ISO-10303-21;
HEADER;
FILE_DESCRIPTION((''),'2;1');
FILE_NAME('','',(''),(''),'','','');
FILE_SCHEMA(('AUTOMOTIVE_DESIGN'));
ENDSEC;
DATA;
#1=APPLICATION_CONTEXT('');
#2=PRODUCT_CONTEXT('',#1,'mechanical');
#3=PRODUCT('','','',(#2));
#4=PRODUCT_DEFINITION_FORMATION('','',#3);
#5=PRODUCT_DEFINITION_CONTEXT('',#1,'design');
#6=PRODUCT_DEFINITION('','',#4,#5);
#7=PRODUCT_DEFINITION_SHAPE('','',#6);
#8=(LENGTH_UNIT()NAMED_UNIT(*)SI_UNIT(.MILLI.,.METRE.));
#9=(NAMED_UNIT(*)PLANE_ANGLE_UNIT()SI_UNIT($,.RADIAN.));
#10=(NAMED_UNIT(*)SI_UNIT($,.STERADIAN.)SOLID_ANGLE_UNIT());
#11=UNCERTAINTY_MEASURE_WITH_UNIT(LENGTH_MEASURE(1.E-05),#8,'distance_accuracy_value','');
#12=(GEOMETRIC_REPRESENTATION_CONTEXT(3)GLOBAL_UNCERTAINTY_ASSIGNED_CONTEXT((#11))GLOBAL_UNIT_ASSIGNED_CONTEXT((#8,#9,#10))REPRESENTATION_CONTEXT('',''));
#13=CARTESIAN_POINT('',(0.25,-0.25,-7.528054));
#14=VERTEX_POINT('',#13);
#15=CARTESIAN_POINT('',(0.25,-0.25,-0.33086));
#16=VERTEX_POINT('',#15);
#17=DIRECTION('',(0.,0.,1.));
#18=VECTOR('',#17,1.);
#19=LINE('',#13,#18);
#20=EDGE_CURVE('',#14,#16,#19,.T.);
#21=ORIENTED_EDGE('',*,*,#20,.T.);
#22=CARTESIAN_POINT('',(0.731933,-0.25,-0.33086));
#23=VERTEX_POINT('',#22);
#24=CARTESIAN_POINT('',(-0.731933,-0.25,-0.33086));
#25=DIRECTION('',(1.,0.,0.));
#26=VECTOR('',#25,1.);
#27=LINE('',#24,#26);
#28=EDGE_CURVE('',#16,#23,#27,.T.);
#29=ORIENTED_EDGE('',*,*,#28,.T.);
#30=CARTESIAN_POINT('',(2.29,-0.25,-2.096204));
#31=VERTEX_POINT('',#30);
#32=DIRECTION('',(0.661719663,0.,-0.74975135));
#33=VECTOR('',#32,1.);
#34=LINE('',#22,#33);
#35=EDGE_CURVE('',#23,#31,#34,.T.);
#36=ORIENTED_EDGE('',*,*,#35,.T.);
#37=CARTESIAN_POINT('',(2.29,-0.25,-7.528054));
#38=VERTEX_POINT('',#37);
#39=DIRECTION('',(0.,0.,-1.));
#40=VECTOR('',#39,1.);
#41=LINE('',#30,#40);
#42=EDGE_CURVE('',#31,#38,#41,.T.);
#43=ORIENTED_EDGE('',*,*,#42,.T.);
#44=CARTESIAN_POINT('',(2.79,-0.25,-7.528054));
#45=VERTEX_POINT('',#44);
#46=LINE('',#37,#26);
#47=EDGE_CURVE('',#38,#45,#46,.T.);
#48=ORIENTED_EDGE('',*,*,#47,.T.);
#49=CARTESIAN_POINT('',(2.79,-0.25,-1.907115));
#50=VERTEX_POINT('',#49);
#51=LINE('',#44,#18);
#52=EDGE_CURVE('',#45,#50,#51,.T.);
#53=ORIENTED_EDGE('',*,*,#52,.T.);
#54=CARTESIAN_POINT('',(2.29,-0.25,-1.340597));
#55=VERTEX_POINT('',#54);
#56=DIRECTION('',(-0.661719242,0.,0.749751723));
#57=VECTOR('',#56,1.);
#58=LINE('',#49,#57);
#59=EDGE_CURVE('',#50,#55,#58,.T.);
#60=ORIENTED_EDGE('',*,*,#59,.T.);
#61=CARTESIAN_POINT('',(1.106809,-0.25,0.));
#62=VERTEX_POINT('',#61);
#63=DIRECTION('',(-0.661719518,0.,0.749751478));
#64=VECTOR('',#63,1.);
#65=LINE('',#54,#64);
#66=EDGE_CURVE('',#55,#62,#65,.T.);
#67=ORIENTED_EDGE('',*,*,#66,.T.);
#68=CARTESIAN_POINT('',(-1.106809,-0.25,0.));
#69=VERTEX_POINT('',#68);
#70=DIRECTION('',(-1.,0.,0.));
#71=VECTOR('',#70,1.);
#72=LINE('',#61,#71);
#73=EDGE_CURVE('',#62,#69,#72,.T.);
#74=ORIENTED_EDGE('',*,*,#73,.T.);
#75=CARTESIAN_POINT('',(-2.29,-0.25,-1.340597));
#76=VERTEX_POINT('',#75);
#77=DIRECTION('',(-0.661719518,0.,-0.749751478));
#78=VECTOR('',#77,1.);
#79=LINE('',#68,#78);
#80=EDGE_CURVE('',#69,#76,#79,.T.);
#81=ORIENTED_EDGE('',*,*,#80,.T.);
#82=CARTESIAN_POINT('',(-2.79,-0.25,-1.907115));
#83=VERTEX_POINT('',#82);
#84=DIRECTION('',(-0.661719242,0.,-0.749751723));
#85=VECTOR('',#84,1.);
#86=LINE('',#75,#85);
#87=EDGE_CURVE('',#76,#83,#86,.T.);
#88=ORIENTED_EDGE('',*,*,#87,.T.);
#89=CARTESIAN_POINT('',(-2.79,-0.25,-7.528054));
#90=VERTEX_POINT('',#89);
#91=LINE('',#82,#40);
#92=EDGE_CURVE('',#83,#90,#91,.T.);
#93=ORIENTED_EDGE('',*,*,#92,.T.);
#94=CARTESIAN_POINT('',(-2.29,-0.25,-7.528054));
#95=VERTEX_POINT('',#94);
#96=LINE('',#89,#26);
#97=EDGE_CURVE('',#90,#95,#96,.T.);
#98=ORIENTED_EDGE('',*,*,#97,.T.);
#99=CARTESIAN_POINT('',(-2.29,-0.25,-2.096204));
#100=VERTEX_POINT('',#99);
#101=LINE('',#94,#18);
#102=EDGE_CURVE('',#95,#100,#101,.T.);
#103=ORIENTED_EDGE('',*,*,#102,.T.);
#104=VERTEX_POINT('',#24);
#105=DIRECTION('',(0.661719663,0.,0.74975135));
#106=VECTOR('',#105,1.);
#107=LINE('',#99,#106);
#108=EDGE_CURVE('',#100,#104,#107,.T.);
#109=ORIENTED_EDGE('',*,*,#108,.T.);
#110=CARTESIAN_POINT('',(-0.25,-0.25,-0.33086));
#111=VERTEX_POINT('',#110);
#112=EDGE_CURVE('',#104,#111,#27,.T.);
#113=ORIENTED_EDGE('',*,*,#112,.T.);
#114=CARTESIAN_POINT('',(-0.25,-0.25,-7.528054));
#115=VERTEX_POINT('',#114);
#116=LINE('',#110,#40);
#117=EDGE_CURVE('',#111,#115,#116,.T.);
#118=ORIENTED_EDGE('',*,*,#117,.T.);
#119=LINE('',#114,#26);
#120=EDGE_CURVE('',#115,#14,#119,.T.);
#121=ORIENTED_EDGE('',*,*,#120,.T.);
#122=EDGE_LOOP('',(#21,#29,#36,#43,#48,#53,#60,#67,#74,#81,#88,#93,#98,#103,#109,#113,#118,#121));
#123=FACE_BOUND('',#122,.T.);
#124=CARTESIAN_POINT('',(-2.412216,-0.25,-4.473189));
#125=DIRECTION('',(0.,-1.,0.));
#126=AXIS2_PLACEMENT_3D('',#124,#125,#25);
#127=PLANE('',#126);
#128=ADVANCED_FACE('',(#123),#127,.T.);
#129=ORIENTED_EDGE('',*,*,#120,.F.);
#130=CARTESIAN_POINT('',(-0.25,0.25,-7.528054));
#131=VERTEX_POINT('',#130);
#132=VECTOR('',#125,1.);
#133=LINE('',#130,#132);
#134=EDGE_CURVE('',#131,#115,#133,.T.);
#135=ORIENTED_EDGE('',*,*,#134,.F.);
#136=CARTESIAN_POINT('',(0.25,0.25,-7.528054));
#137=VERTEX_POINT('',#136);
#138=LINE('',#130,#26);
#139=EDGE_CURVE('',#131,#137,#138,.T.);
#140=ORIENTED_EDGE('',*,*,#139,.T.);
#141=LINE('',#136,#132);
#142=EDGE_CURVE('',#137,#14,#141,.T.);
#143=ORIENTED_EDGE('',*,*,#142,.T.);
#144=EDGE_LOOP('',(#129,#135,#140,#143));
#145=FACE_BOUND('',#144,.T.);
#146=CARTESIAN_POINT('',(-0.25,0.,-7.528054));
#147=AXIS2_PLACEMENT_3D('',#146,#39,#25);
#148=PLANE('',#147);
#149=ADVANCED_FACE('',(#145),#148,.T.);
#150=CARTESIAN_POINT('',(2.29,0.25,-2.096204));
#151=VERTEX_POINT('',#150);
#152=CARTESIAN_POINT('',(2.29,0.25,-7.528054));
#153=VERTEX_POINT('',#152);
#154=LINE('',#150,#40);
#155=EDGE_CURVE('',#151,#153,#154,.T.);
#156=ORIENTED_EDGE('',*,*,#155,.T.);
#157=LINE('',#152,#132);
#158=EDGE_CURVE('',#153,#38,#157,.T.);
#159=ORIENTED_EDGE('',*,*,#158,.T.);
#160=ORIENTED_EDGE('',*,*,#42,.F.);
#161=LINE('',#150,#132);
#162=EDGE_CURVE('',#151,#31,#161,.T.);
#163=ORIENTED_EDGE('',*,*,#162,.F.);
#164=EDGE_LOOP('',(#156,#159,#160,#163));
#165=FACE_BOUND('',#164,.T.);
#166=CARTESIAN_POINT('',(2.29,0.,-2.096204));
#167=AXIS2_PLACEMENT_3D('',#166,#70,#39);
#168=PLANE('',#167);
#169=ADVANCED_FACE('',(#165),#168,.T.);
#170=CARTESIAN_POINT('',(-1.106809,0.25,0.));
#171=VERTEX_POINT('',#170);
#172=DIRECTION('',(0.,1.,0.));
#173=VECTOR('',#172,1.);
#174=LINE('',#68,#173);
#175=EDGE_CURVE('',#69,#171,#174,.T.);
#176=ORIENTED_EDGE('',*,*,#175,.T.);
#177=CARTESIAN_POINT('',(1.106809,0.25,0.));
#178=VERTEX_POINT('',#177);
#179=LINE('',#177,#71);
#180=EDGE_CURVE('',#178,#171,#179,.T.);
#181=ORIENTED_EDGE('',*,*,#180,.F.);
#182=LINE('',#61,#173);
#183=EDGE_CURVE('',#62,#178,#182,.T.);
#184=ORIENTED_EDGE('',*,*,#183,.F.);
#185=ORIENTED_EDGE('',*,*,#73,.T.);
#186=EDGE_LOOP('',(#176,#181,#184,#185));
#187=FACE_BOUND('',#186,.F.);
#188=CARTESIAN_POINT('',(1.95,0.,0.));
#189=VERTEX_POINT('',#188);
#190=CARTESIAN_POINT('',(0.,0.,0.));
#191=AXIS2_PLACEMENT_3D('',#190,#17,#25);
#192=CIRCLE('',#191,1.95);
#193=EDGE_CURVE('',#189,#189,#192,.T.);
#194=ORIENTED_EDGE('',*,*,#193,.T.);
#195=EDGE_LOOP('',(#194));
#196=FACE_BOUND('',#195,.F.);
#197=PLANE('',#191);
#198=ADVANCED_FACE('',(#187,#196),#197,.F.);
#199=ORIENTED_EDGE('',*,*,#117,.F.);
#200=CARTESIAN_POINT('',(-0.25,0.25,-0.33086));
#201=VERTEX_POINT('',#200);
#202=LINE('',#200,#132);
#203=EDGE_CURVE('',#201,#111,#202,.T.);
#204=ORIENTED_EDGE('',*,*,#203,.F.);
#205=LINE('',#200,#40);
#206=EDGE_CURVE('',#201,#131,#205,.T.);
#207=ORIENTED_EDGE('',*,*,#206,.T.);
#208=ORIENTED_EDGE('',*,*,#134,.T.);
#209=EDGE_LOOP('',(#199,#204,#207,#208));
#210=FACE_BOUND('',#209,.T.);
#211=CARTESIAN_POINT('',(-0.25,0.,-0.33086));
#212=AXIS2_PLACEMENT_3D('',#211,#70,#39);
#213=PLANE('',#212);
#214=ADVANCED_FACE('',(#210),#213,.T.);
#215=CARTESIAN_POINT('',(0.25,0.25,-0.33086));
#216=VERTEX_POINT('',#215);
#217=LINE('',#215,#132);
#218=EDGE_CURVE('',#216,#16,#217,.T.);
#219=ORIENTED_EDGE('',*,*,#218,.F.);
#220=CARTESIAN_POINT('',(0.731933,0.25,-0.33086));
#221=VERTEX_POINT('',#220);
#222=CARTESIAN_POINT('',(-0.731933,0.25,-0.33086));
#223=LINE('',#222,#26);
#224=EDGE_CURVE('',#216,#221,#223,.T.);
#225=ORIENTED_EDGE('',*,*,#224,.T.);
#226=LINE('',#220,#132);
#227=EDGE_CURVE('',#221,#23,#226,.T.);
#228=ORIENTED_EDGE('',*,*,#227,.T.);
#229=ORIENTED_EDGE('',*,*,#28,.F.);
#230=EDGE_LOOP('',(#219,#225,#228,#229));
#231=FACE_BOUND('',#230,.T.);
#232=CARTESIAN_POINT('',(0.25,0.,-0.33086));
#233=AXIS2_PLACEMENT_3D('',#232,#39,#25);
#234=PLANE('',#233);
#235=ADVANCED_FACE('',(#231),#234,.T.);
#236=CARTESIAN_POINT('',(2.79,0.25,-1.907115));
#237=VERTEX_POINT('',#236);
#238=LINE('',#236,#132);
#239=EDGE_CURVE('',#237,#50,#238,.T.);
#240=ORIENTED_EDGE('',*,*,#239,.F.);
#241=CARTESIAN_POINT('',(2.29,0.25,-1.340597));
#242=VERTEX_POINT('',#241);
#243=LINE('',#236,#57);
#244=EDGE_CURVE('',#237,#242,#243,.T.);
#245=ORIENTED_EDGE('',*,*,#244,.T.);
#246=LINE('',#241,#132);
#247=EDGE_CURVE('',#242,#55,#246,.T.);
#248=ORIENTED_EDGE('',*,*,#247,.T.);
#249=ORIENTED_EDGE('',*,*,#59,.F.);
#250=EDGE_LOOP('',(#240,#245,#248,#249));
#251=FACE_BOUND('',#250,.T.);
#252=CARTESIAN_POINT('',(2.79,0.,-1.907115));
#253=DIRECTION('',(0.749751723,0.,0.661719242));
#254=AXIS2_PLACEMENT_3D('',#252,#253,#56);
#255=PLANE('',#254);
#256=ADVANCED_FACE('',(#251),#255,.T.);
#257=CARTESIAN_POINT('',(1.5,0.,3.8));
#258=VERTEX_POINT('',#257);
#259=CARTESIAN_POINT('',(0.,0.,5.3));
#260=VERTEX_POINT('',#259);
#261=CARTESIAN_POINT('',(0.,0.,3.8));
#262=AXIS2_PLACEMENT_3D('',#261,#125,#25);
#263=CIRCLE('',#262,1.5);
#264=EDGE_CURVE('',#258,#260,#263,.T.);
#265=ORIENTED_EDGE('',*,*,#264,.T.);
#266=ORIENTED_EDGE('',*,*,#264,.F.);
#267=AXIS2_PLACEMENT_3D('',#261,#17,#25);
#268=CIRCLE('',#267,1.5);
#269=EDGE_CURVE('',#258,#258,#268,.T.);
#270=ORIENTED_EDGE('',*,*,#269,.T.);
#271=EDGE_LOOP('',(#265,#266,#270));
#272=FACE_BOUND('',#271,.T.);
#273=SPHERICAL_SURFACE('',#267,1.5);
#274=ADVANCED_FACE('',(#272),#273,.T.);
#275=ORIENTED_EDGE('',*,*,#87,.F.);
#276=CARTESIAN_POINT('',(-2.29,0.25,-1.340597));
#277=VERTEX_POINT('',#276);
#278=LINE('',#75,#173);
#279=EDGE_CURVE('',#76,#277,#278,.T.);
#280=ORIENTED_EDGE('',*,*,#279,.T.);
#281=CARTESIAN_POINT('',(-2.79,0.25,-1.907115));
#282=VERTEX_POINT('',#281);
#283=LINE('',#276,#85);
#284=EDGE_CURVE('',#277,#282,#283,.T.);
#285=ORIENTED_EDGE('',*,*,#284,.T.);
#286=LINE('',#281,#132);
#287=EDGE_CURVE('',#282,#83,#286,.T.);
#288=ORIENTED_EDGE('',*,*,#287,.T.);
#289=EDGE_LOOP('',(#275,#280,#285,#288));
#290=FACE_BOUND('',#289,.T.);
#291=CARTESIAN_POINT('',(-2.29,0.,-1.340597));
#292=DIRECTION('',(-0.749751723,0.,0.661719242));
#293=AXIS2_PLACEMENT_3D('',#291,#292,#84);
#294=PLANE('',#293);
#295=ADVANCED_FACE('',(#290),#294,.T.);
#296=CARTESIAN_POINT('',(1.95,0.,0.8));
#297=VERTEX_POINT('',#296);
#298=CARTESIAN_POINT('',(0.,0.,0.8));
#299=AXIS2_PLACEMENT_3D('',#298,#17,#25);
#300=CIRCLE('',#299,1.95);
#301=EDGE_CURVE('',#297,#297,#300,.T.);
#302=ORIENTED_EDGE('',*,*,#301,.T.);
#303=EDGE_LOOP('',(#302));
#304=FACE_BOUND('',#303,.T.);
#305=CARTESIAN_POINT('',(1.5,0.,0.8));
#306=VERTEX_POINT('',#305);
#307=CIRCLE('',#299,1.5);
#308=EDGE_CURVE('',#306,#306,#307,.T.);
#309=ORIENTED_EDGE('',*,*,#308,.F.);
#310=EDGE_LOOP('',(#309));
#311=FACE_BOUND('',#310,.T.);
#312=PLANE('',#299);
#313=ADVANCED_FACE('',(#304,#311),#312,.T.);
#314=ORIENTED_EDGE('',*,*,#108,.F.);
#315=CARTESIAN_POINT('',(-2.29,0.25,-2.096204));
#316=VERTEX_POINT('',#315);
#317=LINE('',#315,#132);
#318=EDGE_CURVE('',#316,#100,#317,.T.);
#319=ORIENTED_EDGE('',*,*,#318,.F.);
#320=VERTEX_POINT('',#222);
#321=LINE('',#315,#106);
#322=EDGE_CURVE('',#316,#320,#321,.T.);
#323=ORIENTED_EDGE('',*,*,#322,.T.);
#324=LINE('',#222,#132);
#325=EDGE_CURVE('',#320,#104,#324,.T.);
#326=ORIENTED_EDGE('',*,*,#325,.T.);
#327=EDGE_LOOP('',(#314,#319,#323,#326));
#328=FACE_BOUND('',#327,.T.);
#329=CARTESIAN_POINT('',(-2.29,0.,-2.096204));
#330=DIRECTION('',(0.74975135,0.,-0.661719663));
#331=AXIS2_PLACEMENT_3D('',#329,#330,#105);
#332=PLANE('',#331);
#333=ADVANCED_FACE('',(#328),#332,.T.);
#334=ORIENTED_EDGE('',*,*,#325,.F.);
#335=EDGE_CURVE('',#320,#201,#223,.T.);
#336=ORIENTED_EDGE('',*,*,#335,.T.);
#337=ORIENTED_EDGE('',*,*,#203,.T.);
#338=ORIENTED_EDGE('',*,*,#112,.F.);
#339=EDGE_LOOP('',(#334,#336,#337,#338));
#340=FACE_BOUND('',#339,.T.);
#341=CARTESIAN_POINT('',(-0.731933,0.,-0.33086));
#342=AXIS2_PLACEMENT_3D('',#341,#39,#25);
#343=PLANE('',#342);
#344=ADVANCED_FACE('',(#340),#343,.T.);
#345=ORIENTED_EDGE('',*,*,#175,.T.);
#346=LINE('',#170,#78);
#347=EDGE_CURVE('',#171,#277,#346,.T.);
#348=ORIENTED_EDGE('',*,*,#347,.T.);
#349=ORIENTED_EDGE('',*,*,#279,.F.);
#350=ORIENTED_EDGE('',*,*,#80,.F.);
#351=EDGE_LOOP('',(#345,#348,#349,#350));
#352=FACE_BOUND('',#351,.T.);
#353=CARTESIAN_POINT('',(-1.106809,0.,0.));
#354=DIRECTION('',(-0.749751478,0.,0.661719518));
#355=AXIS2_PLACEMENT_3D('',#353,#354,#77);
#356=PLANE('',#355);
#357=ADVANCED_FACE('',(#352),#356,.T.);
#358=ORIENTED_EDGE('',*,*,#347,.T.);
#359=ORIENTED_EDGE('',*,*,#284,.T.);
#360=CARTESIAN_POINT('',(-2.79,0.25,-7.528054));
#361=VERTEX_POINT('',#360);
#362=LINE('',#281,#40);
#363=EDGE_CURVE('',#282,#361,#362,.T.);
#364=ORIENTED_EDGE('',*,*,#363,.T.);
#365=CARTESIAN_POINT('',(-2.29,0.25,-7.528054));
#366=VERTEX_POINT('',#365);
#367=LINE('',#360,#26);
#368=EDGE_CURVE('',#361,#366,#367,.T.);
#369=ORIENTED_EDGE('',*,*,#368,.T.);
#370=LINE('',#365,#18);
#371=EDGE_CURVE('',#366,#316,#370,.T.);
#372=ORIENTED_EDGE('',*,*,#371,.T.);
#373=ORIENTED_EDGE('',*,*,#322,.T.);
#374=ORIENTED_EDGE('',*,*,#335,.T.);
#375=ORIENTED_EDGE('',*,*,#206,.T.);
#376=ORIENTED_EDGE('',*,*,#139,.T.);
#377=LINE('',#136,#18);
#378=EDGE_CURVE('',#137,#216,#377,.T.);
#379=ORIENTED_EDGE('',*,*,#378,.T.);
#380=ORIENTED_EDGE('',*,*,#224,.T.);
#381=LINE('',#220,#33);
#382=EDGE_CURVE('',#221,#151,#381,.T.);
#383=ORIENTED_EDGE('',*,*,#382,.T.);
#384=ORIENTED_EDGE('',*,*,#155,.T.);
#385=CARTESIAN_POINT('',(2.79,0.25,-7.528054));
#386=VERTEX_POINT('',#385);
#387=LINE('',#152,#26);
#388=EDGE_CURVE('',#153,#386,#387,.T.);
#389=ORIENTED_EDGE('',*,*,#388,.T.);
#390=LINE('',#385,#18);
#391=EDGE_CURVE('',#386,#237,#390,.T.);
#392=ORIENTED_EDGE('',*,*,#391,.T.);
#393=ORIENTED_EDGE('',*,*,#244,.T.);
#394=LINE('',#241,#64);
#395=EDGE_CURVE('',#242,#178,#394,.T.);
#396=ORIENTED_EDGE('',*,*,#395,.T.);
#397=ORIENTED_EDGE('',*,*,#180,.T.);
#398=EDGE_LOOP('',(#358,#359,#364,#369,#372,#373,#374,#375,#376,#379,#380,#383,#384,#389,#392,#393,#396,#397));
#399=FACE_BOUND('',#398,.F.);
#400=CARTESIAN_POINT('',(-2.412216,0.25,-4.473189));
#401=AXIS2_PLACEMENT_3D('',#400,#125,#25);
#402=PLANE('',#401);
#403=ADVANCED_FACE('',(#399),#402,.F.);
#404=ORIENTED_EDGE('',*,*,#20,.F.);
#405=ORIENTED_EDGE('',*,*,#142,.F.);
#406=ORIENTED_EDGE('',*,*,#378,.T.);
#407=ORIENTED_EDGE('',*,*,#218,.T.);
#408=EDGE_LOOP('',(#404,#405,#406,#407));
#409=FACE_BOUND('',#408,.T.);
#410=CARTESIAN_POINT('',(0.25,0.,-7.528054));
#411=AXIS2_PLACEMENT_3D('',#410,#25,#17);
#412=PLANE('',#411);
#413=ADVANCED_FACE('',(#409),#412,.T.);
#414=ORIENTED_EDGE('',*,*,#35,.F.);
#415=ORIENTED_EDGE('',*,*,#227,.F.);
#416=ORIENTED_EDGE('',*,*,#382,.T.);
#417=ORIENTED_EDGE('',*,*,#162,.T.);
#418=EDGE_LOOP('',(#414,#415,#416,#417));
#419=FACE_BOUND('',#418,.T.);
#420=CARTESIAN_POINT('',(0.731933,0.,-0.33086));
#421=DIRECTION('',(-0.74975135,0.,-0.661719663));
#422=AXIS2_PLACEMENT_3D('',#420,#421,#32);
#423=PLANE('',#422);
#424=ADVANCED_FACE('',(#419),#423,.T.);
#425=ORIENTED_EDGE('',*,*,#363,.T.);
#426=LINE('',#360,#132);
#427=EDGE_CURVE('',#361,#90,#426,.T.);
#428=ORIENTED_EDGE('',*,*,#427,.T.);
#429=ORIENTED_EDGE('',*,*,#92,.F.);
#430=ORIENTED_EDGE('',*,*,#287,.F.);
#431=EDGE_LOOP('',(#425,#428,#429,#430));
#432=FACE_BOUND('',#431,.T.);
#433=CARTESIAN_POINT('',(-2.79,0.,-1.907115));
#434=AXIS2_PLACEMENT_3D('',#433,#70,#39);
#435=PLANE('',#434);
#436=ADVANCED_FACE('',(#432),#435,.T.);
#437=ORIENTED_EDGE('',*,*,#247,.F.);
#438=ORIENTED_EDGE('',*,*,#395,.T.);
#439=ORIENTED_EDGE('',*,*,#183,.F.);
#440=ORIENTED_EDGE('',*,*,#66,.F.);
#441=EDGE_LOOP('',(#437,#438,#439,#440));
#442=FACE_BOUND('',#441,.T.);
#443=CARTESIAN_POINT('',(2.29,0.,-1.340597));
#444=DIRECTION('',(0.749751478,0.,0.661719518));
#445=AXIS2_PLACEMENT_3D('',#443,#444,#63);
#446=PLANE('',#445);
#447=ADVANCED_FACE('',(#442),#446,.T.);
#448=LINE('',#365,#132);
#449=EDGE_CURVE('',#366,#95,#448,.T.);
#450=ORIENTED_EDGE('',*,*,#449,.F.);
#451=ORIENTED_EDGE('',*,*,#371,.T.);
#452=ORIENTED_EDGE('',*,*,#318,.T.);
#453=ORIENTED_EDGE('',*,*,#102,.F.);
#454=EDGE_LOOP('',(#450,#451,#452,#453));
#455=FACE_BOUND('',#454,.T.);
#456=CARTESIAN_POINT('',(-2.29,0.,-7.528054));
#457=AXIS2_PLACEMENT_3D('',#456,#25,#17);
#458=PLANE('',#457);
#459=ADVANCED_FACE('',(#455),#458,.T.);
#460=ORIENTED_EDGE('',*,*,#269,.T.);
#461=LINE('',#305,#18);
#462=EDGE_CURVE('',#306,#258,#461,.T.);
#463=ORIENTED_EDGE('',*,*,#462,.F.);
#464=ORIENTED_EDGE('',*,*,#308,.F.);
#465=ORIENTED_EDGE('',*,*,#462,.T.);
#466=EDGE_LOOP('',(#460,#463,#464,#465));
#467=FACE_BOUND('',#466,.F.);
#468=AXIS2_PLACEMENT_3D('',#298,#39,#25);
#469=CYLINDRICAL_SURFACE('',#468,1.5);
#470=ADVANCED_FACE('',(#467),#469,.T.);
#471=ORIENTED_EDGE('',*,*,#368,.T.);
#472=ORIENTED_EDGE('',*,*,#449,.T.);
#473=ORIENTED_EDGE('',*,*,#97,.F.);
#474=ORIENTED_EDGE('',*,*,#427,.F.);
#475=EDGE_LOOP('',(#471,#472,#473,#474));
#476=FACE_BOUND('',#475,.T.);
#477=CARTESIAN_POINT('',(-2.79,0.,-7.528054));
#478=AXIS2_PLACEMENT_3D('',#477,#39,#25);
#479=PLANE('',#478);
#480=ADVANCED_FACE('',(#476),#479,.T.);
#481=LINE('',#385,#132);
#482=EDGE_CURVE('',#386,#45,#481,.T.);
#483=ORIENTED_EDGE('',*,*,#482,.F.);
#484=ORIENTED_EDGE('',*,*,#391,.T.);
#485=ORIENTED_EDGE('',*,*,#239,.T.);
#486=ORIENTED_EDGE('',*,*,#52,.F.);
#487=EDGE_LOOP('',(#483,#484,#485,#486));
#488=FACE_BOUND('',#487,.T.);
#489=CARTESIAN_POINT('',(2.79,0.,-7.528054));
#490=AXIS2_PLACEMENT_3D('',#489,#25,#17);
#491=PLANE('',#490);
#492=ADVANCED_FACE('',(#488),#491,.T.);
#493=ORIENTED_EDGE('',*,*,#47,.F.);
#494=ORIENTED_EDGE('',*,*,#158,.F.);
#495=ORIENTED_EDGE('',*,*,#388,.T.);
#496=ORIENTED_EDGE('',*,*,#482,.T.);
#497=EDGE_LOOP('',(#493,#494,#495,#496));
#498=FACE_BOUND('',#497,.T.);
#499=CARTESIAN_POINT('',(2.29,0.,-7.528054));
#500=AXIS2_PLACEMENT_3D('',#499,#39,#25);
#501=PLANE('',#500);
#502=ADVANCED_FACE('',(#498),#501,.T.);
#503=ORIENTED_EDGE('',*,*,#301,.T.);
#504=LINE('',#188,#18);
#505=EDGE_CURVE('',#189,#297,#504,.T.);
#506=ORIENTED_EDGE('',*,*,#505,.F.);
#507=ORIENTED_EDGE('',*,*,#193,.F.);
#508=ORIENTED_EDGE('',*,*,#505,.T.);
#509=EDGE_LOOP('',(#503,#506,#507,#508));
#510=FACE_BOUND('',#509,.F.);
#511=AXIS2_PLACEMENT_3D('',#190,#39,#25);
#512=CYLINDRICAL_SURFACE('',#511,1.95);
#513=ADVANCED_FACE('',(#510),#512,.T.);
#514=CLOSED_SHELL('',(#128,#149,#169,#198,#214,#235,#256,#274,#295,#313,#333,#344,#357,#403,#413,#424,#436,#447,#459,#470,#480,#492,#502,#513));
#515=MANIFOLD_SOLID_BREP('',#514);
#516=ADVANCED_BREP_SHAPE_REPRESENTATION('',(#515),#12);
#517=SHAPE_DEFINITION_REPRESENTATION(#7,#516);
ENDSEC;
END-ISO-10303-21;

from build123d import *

# Parameters (mm, degrees)
F0_R          = 1.95
F1_DEPTH      = 0.8
F2_R          = 1.5
F3_DEPTH      = 4.5
F4_R          = 1.5
F6_DEPTH      = 0.25
F6_DEPTH_BACK = 0.25


with BuildPart() as f1:
    # F0 (on Top) → F1 (new body)
    with BuildSketch(Plane.XY):
        Circle(F0_R)
    extrude(amount=F1_DEPTH)

    # F2 (on face) → F3 (join)
    with BuildSketch(Plane.XY.offset(0.8)):
        Circle(F2_R)
    extrude(amount=F3_DEPTH)

    # F4
    f4_edges = [f1.edges().sort_by_distance(p)[0] for p in [
        (-1.5, 0, 5.3),
    ]]
    fillet(f4_edges, radius=F4_R)

    # F5 (on Front) → F6 (join, two sides)
    with BuildSketch(Plane.XZ) as f6_sk:
        Polygon((-2.29, -1.340597), (-2.54, -1.623856), (-2.54, -7.528054), (-2.29, -7.528054), (-2.29, -2.096204), align=None)
        Polygon((-2.54, -7.528054), (-2.54, -1.623856), (-2.79, -1.907115), (-2.79, -7.528054), align=None)
        Polygon((-1.106809, 0), (-2.29, -1.340597), (-2.29, -2.096204), (-0.731933, -0.33086), (-0.25, -0.33086), (0.25, -0.33086), (0.731933, -0.33086), (2.29, -2.096204), (2.29, -1.340597), (1.106809, 0), align=None)
        Polygon((0.25, -0.33086), (-0.25, -0.33086), (-0.25, -7.528054), (0, -7.528054), (0.25, -7.528054), align=None)
        Polygon((2.54, -1.623856), (2.29, -1.340597), (2.29, -2.096204), (2.29, -7.528054), (2.54, -7.528054), align=None)
        Polygon((2.79, -1.907115), (2.54, -1.623856), (2.54, -7.528054), (2.79, -7.528054), align=None)
    extrude(amount=F6_DEPTH)
    extrude(f6_sk.sketch, amount=-F6_DEPTH_BACK)


solid = f1.part
